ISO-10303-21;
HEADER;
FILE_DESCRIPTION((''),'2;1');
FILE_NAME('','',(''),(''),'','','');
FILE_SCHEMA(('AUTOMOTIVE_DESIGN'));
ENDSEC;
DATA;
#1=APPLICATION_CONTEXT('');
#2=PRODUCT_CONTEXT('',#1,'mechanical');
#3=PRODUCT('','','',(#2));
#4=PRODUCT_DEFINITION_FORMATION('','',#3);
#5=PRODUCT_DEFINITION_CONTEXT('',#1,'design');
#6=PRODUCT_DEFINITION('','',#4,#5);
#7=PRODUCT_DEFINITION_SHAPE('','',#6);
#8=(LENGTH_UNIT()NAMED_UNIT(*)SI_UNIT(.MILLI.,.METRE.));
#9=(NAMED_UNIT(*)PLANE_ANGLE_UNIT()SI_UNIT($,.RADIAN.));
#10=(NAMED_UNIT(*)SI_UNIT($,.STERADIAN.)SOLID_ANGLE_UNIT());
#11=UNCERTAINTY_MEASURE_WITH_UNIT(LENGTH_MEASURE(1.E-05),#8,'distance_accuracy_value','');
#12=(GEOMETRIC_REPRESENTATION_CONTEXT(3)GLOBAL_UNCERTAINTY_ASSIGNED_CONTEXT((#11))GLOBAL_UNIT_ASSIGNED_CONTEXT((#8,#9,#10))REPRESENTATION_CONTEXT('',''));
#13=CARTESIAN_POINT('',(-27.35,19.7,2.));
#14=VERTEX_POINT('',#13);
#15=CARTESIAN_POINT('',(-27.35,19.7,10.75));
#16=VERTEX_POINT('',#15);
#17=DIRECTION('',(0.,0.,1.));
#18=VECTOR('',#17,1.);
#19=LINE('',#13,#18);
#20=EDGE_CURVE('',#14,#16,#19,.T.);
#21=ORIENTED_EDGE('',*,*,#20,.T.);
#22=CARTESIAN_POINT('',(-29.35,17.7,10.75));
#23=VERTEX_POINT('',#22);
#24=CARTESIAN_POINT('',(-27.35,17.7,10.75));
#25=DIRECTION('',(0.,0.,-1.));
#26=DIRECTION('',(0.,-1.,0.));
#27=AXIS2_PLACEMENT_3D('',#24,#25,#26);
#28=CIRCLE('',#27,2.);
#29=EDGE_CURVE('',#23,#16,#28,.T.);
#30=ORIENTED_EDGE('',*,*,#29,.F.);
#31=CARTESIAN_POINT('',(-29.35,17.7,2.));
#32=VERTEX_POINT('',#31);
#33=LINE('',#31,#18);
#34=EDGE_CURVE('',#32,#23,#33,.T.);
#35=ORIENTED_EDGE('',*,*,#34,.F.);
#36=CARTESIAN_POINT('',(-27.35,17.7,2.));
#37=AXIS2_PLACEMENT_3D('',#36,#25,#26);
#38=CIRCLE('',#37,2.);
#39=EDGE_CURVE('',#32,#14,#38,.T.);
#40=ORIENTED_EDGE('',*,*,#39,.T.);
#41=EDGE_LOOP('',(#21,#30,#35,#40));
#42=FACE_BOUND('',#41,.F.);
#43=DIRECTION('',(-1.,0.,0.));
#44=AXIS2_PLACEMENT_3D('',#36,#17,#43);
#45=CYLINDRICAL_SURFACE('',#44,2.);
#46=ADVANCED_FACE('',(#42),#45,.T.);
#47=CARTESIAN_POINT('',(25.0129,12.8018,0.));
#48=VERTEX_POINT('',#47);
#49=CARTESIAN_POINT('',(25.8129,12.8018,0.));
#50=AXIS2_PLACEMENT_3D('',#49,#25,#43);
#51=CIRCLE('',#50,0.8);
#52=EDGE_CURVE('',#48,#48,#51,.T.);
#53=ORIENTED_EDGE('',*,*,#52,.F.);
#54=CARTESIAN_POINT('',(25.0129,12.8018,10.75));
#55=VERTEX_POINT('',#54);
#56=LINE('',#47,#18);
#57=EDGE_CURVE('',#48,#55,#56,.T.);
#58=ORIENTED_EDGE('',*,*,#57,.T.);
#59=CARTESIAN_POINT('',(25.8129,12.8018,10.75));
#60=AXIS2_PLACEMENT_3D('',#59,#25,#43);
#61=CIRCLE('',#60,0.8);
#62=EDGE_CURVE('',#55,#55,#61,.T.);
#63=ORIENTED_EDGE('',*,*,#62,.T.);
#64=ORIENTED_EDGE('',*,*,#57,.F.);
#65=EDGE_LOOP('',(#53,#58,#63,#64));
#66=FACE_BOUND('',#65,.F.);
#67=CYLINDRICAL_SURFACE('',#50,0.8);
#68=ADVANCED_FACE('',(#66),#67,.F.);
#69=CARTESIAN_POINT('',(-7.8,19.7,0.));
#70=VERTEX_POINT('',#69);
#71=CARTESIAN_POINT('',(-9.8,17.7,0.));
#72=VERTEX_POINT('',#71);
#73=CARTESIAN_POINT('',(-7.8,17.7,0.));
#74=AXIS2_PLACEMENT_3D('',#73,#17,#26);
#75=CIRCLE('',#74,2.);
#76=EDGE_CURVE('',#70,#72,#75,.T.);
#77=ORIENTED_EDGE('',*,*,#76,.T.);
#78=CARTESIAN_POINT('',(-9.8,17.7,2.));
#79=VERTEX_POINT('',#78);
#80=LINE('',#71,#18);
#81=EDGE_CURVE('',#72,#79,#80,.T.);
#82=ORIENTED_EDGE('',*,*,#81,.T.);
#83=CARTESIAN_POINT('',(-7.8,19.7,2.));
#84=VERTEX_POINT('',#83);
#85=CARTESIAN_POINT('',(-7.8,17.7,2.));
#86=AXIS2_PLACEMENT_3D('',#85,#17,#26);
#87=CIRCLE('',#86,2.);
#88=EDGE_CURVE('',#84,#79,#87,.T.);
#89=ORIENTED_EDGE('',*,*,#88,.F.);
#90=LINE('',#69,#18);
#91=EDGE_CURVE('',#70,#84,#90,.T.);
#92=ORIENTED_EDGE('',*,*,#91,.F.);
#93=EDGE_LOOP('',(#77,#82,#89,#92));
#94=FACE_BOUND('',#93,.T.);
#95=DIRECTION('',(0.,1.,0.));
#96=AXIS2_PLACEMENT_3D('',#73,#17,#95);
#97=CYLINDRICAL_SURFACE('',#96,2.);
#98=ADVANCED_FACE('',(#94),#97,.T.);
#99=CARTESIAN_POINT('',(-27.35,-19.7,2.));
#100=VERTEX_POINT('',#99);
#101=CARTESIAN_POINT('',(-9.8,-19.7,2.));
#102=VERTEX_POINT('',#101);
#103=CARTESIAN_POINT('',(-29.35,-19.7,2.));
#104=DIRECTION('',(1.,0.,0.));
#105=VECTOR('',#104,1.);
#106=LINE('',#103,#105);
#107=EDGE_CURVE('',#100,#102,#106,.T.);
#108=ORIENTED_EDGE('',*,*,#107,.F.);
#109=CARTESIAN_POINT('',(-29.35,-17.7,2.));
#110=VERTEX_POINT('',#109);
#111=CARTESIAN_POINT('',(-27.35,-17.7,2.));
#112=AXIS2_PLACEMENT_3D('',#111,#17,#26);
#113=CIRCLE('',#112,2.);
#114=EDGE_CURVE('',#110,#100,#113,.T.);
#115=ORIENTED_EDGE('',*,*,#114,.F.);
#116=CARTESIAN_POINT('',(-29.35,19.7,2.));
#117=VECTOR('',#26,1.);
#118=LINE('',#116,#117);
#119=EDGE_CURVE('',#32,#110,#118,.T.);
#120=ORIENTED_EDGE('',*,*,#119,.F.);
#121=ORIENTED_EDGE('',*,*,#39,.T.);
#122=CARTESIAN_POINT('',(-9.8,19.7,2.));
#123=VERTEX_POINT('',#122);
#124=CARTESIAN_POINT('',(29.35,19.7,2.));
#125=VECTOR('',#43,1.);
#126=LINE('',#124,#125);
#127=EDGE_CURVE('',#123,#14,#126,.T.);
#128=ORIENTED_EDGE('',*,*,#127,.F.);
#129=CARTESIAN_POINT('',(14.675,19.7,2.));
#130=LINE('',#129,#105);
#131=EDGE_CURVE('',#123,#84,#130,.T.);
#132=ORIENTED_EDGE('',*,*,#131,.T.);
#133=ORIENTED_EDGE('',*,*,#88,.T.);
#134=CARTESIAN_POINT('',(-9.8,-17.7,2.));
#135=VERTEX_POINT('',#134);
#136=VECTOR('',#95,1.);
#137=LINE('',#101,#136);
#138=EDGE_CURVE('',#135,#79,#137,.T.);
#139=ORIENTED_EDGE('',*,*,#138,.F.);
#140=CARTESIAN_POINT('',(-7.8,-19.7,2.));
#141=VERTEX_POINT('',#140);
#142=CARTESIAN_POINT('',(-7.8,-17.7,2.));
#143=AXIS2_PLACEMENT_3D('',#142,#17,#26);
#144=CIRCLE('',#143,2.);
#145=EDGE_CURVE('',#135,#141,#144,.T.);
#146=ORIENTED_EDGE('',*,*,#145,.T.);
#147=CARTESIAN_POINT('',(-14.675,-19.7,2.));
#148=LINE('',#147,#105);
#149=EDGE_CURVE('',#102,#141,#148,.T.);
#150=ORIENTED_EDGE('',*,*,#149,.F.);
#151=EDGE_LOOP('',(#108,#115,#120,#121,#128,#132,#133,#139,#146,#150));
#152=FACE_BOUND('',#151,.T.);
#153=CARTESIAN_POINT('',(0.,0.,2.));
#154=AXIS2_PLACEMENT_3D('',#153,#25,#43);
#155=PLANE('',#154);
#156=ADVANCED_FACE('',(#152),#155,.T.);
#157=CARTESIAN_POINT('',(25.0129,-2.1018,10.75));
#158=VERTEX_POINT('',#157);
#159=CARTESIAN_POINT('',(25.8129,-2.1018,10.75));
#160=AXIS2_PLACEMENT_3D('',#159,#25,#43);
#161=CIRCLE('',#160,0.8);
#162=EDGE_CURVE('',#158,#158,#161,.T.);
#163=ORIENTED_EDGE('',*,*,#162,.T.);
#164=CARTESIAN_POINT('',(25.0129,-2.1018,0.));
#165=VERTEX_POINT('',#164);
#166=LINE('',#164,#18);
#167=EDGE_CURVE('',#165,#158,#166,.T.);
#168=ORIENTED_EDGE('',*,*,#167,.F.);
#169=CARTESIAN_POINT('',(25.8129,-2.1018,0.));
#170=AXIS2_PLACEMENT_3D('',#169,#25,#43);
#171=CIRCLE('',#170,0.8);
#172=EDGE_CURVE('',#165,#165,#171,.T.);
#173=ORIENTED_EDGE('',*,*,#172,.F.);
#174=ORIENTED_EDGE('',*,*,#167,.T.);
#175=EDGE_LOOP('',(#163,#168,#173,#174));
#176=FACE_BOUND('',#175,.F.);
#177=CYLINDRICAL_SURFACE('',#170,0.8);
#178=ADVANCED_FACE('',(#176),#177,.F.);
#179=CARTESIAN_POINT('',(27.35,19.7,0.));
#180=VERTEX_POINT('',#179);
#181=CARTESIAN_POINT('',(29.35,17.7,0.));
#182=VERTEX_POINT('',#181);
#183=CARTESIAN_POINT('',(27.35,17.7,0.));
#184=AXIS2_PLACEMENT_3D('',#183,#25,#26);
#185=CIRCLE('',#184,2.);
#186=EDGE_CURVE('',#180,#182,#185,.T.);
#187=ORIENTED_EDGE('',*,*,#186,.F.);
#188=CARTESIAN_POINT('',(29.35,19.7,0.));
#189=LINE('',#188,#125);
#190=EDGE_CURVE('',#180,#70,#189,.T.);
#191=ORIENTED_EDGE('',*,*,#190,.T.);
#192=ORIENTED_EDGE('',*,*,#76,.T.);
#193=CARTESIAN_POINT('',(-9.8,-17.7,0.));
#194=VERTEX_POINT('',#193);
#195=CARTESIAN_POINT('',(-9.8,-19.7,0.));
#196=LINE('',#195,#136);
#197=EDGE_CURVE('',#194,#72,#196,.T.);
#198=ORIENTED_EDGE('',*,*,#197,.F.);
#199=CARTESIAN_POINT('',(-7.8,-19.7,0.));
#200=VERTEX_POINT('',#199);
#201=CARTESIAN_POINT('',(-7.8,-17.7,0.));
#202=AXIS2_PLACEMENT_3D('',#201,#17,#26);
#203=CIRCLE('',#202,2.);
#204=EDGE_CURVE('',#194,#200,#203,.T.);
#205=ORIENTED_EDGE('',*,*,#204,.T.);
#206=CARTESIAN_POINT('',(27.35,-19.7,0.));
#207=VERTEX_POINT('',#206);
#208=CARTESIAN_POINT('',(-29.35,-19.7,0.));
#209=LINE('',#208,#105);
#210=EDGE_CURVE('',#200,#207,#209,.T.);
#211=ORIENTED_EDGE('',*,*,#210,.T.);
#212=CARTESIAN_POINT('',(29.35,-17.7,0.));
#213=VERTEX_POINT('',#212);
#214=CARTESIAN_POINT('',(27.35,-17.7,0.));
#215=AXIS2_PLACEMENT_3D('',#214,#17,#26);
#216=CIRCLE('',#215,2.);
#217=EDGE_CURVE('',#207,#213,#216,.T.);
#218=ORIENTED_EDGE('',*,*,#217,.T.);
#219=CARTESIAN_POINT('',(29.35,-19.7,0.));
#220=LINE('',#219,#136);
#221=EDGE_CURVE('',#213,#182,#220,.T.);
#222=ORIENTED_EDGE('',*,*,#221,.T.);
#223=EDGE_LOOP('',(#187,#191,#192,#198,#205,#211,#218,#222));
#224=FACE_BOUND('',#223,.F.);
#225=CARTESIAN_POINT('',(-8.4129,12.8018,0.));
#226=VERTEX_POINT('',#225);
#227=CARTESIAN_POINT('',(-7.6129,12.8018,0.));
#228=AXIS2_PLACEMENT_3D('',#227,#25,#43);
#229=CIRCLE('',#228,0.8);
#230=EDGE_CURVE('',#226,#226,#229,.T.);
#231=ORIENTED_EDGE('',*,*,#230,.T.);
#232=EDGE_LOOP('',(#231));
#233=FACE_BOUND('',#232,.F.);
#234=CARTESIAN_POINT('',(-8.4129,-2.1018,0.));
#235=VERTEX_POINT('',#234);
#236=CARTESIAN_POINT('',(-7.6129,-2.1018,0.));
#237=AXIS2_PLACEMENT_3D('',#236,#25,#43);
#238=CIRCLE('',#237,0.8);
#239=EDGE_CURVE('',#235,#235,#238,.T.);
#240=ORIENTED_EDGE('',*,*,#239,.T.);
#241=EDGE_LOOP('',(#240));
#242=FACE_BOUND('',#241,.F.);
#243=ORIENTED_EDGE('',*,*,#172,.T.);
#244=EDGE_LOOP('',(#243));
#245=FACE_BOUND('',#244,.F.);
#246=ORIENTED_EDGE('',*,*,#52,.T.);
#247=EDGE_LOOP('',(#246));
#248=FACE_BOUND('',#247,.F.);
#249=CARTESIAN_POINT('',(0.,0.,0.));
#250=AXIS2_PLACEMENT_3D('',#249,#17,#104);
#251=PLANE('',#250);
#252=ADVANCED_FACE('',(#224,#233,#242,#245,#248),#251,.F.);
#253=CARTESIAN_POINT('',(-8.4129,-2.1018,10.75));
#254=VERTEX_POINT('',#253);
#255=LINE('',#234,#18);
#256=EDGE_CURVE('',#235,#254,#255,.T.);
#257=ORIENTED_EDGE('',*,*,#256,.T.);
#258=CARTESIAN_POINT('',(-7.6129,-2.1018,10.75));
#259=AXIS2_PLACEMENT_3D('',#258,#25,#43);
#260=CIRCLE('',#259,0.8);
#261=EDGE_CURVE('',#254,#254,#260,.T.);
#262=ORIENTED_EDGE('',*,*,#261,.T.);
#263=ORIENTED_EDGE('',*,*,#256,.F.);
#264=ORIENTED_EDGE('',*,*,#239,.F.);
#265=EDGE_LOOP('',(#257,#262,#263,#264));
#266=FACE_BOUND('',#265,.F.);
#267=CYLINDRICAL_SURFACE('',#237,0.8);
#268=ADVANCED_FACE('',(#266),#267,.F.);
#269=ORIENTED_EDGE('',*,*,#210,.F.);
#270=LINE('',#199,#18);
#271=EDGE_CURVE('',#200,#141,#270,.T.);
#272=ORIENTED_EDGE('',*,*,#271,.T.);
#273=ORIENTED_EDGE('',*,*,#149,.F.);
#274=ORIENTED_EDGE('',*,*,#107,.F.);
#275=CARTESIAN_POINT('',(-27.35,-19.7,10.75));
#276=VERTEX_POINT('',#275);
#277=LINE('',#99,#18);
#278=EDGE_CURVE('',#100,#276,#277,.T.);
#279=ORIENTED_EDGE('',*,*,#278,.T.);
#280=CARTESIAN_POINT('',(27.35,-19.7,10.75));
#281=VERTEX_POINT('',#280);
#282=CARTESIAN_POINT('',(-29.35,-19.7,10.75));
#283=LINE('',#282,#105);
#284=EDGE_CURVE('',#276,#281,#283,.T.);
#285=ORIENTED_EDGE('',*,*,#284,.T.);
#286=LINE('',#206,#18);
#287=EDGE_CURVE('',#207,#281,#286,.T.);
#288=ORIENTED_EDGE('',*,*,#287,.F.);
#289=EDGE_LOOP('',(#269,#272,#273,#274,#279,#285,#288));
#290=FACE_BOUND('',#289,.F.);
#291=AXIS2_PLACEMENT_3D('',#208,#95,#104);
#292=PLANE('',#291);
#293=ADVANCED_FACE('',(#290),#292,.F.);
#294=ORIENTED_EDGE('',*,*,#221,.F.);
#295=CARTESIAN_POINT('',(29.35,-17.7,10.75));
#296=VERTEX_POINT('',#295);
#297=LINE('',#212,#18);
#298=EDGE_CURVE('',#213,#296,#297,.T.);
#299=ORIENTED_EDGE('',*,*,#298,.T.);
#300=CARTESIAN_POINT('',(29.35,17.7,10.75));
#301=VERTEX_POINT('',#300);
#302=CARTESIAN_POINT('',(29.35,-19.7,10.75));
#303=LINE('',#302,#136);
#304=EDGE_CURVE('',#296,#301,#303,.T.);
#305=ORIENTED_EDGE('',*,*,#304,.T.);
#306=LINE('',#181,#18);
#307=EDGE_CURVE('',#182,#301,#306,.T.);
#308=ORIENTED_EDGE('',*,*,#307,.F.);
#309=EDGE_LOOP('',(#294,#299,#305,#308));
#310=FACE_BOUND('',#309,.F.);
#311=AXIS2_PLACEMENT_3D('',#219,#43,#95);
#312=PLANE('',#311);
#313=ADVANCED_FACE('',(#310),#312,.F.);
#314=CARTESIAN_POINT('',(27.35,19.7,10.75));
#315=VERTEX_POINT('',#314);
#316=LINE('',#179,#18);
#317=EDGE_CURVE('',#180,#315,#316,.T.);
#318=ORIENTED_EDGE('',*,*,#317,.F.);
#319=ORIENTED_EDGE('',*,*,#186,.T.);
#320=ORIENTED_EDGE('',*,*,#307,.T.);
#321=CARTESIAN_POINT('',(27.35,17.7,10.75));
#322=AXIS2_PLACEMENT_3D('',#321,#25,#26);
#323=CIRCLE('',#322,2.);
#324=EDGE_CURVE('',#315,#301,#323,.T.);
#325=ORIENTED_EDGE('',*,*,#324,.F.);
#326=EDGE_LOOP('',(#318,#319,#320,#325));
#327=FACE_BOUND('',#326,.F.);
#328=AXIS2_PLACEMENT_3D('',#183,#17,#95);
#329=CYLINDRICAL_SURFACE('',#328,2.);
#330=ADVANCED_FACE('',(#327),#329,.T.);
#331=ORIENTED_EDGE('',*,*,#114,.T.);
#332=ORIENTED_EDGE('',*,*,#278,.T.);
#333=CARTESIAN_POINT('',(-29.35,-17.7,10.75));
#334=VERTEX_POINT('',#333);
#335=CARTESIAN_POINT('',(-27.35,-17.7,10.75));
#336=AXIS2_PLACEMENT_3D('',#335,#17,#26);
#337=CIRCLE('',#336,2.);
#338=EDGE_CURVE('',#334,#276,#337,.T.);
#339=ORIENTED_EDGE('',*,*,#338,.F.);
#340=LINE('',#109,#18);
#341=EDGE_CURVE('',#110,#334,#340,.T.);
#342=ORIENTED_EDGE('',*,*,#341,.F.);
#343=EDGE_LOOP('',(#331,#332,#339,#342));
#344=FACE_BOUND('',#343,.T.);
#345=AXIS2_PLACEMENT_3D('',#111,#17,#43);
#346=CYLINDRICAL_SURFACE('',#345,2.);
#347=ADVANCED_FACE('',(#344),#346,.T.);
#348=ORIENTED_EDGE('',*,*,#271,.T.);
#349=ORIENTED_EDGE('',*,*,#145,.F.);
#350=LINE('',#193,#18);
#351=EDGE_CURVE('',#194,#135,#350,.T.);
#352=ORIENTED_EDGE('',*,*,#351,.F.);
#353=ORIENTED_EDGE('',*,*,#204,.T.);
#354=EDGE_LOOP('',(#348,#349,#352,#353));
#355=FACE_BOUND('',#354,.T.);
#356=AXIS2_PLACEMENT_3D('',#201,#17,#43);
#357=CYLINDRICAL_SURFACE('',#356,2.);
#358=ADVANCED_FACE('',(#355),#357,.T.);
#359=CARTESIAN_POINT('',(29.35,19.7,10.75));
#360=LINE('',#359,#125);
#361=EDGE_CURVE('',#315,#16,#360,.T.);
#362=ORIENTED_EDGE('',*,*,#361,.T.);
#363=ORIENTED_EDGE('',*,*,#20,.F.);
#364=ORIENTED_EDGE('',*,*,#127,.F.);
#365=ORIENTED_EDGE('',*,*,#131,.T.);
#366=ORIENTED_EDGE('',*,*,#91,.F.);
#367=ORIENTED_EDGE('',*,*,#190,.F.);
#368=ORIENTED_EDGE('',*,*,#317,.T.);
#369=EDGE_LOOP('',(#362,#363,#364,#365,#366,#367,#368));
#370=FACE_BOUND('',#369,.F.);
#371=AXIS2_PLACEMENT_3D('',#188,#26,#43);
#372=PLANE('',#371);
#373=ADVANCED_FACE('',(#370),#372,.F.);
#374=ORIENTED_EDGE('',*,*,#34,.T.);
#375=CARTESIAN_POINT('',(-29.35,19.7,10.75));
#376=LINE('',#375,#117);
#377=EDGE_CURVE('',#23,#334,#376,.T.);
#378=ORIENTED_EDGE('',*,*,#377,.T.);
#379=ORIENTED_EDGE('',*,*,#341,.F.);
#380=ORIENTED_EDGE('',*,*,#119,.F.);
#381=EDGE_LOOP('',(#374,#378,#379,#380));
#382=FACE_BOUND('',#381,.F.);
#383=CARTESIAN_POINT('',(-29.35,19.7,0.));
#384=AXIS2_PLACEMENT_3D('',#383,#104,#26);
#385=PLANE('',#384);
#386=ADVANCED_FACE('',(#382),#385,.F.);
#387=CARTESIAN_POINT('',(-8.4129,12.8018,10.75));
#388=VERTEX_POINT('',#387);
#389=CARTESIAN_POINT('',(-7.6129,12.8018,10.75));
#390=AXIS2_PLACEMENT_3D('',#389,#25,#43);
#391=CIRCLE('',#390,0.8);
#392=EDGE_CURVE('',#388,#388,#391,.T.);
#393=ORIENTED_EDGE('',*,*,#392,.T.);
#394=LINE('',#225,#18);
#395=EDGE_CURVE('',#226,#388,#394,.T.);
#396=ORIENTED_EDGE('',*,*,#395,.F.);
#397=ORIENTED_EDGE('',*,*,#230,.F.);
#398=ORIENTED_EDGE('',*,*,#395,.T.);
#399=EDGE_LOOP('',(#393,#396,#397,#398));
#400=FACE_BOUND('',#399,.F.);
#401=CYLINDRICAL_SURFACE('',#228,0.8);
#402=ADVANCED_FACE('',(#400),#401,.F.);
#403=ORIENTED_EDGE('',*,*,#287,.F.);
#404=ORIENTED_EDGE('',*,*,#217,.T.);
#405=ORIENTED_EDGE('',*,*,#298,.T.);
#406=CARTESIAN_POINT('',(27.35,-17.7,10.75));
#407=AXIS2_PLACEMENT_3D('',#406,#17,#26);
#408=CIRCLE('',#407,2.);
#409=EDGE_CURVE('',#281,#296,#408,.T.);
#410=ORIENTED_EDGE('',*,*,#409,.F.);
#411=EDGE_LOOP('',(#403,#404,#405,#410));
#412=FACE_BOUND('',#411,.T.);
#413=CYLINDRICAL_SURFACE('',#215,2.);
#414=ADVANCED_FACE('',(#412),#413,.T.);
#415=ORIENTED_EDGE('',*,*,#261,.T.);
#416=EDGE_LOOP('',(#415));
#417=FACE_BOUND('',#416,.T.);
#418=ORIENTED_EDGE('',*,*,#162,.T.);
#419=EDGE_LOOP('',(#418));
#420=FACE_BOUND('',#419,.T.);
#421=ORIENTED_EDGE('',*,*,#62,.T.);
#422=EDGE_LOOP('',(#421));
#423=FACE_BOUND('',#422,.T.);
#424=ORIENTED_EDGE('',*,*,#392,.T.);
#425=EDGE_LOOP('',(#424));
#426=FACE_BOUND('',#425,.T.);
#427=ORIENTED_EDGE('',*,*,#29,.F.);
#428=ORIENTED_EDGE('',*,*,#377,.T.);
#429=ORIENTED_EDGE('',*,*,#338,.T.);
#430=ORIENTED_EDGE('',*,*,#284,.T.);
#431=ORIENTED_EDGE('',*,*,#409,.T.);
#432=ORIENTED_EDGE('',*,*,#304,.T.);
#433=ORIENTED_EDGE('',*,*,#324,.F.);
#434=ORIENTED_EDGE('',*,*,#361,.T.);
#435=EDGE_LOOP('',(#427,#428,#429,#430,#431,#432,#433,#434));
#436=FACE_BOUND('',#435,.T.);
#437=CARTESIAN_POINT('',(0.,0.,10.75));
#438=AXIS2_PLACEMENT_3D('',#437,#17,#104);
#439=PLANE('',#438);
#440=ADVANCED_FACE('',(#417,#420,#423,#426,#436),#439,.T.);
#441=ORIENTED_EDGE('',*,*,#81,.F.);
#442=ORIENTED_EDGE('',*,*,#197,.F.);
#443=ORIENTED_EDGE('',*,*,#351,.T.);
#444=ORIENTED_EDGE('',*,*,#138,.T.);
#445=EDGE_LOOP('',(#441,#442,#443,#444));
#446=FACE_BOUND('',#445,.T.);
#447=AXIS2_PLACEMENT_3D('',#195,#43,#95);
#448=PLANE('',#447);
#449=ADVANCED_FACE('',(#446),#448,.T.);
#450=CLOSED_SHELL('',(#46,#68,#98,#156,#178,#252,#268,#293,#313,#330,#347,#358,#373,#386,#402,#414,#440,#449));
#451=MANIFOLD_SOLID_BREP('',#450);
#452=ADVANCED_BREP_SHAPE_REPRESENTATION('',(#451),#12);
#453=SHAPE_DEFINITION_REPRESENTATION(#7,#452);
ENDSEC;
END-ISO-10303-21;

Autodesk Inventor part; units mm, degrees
ref_plane "YZ Plane" through (0, 0, 0) normal (1, 0, 0) x (0, 1, 0)
ref_plane "XZ Plane" through (0, 0, 0) normal (0, 1, 0) x (-1, 0, 0)
ref_plane "XY Plane" through (0, 0, 0) normal (0, 0, 1) x (1, 0, 0)
sketch "Sketch1" plane through (0, 0, 0) normal (0, 0, 1) x (1, 0, 0)
  line L0 (-29.35, -19.7) -> (29.35, -19.7)
  line L1 (29.35, -19.7) -> (29.35, 19.7)
  line L2 (29.35, 19.7) -> (-29.35, 19.7)
  line L3 (-29.35, 19.7) -> (-29.35, -19.7)
  line L4 (-29.35, -19.7) -> (29.35, 19.7) construction
  line L5 (29.35, -19.7) -> (-29.35, 19.7) construction
  point P0 (0, 0)
  dimension "d0" = 39.4
  dimension "d1" = 58.7
extrude "Extrusion1" add sketch "Sketch1" along normal blind 10.75
sketch "Sketch2" plane through (0, 0, 0) normal (0, 0, -1) x (-1, 0, 0)
  circle A0 centre (7.6129, -2.1018) radius 1.5 construction
  circle A1 centre (-25.8129, -2.1018) radius 1.5 construction
  circle A2 centre (-25.8129, 12.8018) radius 1.5 construction
  circle A3 centre (7.6129, 12.8018) radius 1.5 construction
  circle A4 centre (7.6129, -2.1018) radius 0.8
  circle A5 centre (-25.8129, -2.1018) radius 0.8
  circle A6 centre (-25.8129, 12.8018) radius 0.8
  circle A7 centre (7.6129, 12.8018) radius 0.8
  point P0 (0, 0)
  dimension "d4" = 1.6
  dimension "d5" = 1.6
  dimension "d6" = 1.6
  dimension "d7" = 1.6
extrude "Extrusion2" cut sketch "Sketch2" against normal through all
sketch "Sketch5" plane through (0, 0, 0) normal (0, 0, -1) x (-1, 0, 0)
  line L0 (-29.35, 19.7) -> (29.35, 19.7) projected
  line L1 (29.35, -19.7) -> (9.8, -19.7)
  line L2 (9.8, -19.7) -> (9.8, 19.7)
  line L3 (9.8, 19.7) -> (29.35, 19.7)
  line L4 (29.35, 19.7) -> (29.35, -19.7)
  point P0 (0, 0)
  dimension "d10" = 19.55
extrude "Extrusion3" cut sketch "Sketch5" against normal blind 2
fillet "Fillet1" radius 2 4 edges at (-29.35, -19.7, 6.375) (-29.35, 19.7, 6.375) (29.35, 19.7, 5.375) (29.35, -19.7, 5.375)
fillet "Fillet2" radius 2 2 edges at (-9.8, 19.7, 1) (-9.8, -19.7, 1)
equation "\"d5\" = d4"
equation "\"d6\" = d4"
equation "\"d7\" = d4"
properties part number "ThermalConductivityBlock"
